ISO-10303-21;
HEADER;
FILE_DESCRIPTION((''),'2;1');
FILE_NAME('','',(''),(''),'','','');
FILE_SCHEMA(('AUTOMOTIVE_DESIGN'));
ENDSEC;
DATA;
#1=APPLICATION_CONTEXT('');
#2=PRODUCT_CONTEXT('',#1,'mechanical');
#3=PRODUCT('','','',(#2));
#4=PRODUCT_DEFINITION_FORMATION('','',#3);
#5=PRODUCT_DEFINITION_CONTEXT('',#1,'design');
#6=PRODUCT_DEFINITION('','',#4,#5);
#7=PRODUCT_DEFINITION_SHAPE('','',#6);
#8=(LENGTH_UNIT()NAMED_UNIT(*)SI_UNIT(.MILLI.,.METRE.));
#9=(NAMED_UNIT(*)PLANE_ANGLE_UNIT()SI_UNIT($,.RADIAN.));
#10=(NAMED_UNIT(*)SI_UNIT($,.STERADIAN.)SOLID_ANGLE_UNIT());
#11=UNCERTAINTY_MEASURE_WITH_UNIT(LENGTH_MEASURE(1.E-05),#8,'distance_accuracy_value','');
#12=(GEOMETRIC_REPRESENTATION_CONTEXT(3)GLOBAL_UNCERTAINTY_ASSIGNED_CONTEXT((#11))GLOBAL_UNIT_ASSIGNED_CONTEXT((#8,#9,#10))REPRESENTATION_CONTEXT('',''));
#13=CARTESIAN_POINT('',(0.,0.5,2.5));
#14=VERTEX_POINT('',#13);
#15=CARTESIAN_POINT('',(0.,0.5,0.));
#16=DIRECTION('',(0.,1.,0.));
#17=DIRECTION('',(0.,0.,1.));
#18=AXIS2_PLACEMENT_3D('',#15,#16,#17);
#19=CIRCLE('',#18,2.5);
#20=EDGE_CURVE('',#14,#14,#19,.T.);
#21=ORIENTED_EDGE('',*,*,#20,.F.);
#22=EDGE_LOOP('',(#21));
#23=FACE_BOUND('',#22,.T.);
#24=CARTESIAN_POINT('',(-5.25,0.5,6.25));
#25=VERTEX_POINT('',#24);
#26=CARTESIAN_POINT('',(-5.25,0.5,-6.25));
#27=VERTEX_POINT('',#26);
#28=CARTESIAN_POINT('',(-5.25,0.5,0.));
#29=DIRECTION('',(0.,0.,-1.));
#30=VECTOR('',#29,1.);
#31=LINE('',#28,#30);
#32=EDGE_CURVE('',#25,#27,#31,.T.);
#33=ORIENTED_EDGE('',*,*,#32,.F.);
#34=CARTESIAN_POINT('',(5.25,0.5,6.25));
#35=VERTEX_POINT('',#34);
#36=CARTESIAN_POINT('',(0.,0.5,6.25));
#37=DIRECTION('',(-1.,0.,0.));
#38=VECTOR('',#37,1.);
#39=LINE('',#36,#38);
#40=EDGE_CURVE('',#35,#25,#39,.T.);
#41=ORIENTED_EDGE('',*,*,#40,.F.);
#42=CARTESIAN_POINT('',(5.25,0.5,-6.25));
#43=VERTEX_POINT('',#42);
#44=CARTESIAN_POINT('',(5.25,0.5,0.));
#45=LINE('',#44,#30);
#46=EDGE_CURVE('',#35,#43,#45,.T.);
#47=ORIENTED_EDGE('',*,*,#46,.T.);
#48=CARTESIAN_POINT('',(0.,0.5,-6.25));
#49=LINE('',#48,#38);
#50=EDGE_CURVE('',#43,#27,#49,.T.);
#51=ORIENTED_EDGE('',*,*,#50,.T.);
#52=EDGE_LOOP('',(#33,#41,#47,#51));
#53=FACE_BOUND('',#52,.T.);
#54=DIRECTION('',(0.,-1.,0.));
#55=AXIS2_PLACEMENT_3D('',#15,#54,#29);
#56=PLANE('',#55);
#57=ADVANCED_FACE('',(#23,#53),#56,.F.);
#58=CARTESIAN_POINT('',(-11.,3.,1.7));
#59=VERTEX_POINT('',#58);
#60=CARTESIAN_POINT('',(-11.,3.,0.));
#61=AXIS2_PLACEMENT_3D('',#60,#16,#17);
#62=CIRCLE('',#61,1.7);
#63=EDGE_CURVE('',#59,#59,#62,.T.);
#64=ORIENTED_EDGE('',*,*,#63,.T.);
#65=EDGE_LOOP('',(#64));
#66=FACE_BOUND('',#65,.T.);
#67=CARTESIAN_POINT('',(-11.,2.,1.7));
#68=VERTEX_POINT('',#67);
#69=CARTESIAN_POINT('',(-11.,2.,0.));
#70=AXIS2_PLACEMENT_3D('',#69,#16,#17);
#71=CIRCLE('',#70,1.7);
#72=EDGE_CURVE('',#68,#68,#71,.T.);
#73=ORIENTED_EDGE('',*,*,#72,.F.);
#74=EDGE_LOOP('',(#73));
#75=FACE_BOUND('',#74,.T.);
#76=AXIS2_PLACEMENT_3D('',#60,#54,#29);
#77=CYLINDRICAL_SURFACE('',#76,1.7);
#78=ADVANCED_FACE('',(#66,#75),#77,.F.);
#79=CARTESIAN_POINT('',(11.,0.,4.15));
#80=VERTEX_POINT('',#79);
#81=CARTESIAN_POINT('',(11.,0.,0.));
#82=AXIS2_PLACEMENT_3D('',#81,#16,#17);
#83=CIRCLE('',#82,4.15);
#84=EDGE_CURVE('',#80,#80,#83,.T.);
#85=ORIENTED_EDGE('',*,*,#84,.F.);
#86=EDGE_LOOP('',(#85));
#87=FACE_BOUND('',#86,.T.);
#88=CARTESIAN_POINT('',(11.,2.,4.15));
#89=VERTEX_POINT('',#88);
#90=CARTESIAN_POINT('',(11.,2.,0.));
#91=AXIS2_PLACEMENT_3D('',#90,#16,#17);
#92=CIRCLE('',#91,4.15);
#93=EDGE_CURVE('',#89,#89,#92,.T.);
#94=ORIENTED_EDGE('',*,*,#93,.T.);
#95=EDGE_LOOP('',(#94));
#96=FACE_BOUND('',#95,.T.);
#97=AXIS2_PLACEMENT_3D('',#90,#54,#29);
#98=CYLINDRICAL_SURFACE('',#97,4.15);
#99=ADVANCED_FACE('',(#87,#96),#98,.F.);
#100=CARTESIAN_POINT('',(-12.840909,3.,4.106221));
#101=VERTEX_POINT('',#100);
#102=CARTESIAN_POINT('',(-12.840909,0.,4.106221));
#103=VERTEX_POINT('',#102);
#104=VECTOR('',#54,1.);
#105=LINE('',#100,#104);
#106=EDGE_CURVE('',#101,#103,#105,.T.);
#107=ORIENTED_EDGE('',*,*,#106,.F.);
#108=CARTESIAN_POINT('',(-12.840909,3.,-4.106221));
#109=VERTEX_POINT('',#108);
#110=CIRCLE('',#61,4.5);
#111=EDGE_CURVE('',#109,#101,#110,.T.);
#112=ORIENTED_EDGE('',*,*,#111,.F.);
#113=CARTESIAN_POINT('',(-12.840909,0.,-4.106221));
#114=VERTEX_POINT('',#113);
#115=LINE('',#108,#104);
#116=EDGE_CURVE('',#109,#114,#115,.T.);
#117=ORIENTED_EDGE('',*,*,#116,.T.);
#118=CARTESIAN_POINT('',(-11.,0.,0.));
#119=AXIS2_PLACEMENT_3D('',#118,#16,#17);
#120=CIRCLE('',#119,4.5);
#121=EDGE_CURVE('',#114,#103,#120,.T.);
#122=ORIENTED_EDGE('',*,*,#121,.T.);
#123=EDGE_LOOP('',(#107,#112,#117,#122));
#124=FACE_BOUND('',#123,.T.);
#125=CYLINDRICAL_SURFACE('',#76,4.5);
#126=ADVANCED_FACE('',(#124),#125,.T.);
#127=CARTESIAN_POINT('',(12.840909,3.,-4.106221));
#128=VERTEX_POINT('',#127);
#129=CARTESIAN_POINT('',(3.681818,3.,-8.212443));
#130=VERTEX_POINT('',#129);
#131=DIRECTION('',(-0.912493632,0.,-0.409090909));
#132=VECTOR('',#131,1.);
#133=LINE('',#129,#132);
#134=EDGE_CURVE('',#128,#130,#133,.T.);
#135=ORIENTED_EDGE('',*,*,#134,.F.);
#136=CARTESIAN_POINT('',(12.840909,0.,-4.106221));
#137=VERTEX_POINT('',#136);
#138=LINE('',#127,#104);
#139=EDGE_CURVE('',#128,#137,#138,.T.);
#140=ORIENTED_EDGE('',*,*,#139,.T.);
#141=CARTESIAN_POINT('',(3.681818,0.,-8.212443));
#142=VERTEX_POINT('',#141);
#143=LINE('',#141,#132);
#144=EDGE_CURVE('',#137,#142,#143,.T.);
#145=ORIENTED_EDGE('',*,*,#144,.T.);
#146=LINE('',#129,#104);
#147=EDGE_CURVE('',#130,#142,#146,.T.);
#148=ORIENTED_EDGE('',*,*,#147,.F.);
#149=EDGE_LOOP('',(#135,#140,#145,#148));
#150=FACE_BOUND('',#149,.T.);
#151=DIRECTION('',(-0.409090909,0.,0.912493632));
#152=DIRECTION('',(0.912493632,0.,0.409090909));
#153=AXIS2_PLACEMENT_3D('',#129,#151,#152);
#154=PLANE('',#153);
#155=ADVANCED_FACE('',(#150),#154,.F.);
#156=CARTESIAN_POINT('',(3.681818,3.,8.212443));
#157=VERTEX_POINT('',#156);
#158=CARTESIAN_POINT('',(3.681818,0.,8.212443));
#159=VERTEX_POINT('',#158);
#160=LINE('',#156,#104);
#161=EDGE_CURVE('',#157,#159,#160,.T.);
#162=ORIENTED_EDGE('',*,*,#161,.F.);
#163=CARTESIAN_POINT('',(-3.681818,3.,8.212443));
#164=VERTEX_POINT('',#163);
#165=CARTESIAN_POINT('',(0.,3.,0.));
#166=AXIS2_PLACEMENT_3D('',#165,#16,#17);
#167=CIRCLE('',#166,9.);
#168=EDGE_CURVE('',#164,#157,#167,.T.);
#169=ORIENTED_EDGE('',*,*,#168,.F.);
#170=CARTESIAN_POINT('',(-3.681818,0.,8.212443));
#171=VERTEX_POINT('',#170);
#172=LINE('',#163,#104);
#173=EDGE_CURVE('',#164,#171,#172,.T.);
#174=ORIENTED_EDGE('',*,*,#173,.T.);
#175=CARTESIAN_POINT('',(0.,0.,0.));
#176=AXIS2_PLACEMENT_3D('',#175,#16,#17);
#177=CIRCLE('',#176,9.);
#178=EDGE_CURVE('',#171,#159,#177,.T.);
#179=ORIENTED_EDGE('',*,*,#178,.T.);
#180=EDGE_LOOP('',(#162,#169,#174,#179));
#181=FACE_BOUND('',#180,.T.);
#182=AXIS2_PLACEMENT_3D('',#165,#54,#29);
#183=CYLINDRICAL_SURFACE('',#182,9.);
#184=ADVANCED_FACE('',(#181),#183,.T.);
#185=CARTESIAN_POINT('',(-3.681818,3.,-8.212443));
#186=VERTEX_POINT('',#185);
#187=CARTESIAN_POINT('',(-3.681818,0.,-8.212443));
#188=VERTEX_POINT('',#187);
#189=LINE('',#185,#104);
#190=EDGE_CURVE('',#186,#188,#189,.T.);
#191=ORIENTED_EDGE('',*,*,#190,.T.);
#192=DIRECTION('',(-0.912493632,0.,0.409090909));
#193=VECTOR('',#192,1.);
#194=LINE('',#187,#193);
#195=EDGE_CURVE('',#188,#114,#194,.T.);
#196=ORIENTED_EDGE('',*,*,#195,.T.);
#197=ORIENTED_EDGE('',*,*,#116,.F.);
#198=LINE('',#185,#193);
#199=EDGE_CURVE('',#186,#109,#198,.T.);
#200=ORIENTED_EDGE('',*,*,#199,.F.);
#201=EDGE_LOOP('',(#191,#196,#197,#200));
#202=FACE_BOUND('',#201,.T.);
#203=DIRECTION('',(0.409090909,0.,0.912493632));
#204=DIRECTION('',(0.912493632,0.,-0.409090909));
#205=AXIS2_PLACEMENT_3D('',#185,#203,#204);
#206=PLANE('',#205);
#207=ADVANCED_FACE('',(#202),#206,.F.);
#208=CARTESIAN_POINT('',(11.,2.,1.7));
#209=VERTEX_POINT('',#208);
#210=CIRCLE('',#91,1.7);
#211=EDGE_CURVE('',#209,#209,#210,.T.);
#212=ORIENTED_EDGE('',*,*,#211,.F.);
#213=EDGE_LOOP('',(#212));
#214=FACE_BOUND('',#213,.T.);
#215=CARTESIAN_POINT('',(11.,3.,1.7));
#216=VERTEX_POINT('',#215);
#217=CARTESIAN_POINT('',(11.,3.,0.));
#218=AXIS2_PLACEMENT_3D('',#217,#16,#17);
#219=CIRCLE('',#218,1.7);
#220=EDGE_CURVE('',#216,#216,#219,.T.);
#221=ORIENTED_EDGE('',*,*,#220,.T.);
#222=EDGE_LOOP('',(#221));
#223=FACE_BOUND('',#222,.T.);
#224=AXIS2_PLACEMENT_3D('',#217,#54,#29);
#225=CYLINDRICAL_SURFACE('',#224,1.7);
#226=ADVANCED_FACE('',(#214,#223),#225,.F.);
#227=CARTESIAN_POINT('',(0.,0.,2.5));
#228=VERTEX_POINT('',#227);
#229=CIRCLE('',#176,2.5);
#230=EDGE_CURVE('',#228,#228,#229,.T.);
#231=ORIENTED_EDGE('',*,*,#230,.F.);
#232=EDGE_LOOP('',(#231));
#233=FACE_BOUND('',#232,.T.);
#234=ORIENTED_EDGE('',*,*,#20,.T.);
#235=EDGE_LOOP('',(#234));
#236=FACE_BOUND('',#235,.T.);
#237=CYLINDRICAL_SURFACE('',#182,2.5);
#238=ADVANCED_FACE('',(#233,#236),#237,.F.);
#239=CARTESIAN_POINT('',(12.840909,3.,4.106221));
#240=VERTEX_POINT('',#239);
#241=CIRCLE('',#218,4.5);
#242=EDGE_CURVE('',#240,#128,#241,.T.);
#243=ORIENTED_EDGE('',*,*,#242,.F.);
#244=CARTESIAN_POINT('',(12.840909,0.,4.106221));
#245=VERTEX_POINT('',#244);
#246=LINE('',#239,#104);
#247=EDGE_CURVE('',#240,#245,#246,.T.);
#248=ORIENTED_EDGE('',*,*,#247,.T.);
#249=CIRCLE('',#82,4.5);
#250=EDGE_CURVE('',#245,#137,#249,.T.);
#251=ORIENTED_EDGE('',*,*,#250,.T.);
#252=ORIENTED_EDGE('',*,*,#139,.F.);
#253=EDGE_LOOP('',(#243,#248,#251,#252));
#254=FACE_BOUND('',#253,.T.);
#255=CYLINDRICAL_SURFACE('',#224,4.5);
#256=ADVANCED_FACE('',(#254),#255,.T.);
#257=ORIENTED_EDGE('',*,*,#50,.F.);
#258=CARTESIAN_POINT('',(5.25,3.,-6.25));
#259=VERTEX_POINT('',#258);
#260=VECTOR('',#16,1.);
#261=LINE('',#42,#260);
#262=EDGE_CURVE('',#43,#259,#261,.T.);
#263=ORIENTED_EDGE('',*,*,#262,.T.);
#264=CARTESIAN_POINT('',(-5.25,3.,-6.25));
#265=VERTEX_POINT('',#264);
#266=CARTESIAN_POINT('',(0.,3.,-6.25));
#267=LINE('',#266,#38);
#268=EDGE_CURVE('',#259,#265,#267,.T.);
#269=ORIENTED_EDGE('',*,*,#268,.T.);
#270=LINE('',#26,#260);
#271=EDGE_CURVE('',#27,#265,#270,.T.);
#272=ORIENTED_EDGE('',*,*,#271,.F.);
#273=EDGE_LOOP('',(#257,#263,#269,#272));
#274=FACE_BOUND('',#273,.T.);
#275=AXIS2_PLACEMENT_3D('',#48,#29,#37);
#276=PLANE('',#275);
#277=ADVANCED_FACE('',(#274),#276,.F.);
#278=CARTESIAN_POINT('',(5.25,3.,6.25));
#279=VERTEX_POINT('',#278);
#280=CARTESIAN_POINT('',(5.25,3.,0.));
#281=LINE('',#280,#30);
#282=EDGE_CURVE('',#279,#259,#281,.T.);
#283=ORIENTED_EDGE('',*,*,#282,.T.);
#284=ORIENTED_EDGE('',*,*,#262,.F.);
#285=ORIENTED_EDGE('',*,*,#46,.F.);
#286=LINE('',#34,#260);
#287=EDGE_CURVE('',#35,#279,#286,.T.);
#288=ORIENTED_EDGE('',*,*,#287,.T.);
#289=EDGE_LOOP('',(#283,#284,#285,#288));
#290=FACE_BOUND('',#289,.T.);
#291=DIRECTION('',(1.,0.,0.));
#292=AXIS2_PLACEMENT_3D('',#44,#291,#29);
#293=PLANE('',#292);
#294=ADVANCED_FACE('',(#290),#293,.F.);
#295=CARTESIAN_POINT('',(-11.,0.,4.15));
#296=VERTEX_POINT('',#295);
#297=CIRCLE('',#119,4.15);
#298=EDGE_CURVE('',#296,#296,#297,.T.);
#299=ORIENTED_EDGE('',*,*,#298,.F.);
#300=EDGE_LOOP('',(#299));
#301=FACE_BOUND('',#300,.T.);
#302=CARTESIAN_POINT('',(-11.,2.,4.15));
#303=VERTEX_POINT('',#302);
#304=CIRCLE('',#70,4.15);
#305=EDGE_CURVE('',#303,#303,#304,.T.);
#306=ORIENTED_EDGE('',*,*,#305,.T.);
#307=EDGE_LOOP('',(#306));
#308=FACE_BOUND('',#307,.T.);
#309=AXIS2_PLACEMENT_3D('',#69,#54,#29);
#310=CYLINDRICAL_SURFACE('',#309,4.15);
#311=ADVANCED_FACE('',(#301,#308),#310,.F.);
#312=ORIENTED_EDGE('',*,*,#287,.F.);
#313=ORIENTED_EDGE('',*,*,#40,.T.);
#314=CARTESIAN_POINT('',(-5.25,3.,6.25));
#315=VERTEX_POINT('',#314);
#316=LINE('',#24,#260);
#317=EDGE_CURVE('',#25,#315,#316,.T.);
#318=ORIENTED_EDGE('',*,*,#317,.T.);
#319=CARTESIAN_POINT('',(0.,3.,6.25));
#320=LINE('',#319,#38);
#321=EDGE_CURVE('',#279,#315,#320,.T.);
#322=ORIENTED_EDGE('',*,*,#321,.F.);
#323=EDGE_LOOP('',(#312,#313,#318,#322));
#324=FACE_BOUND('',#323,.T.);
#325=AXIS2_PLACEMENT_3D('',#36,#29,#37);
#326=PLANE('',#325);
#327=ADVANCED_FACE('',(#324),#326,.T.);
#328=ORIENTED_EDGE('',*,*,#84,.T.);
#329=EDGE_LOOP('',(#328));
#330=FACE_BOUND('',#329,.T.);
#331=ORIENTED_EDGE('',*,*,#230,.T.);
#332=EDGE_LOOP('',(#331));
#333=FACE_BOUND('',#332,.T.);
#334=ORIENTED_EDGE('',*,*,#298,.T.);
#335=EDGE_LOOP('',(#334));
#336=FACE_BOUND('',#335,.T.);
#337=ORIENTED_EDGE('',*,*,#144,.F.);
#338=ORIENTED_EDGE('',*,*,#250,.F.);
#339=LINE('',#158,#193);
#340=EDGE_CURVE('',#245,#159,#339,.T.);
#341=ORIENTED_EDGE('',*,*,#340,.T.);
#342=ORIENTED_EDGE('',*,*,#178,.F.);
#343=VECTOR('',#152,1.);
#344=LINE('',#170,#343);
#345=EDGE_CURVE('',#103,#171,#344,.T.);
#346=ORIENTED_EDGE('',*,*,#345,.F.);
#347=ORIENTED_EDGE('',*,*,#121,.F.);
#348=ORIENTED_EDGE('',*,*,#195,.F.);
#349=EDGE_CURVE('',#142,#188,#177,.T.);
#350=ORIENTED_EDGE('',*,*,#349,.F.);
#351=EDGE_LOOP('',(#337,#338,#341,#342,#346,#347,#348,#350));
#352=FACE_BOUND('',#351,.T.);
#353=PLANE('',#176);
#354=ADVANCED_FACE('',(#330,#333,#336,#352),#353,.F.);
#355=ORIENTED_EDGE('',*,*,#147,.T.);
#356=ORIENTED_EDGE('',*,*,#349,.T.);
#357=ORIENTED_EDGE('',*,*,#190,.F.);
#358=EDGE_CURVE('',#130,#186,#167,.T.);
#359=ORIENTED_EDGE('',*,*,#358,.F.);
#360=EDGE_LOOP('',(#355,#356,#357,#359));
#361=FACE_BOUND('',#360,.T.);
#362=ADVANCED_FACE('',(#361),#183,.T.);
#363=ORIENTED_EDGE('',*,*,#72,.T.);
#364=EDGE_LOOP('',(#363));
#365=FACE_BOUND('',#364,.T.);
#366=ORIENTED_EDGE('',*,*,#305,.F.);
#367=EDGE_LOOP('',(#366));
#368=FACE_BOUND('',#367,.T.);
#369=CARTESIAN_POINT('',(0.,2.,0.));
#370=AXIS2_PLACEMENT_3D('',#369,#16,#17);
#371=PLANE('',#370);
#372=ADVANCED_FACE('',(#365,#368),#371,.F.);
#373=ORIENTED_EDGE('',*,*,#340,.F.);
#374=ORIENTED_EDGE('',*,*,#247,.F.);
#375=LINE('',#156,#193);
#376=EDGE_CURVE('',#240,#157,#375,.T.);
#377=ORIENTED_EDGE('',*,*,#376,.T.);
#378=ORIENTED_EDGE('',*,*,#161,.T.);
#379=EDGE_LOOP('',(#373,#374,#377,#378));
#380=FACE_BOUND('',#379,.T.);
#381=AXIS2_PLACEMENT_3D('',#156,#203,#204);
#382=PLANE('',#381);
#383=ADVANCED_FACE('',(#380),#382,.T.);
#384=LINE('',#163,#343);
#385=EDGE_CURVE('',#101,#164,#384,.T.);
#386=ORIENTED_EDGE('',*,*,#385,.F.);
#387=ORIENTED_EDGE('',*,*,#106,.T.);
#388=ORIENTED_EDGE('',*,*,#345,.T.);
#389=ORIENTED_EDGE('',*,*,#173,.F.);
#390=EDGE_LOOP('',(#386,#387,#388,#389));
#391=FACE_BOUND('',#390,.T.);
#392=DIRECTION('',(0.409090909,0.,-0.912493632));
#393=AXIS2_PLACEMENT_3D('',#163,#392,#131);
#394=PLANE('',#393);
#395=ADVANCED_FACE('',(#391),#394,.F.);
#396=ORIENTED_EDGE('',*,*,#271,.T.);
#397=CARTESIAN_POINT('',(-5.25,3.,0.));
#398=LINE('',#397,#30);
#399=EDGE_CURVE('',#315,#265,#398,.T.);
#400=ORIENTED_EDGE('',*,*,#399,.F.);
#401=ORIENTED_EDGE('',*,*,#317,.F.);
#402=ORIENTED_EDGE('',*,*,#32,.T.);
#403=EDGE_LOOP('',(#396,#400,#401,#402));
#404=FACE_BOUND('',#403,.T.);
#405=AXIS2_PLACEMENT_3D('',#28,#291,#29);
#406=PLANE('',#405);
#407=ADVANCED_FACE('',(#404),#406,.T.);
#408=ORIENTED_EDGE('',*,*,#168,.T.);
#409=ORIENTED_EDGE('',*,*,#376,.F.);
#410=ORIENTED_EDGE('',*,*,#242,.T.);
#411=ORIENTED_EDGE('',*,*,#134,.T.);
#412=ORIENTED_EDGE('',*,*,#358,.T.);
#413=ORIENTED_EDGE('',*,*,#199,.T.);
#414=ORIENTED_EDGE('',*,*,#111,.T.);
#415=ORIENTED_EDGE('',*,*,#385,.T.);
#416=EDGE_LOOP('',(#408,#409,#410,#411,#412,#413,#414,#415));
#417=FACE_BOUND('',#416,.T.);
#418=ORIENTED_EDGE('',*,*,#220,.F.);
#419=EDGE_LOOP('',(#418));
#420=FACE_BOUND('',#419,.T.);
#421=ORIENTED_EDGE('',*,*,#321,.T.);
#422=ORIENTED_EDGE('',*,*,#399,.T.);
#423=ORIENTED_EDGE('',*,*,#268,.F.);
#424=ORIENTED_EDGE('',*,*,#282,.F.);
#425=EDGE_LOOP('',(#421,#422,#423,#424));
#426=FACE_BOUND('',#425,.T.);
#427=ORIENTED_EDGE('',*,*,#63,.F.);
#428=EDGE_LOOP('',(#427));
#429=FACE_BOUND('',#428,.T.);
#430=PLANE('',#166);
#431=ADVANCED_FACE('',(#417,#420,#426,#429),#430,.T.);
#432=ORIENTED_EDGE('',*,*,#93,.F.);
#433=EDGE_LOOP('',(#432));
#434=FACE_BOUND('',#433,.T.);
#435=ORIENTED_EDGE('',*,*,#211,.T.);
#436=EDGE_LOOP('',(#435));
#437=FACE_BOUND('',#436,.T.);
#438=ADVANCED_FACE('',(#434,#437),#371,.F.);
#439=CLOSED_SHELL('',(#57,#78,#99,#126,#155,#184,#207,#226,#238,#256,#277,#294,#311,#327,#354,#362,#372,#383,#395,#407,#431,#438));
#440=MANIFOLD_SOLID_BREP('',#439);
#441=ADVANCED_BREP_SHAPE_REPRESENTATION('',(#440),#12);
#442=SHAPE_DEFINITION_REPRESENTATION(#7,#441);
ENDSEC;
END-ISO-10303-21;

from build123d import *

# Parameters (mm, degrees)
SKETCH1_R           = 1.7
SKETCH1_R_2         = 2.5
BOSS_EXTRUDE1_DEPTH = 3
SKETCH1_11_R        = 4.15
CUT_EXTRUDE1_DEPTH  = 2
CUT_EXTRUDE2_START  = 0.5
CUT_EXTRUDE2_DEPTH  = 2.5


with BuildPart() as part:
    # Sketch1 → Boss-Extrude1 (new body)
    with BuildSketch(Plane(origin=(0, 0, 0), x_dir=(1, 0, 0), z_dir=(0, 1, 0))):
        with BuildLine():
            Line((12.840909091, 4.106221343), (3.681818182, 8.212442686))
            ThreePointArc((3.681818182, 8.212442686), (0, 9), (-3.681818182, 8.212442686))
            Line((-3.681818182, 8.212442686), (-12.840909091, 4.106221343))
            ThreePointArc((-12.840909091, 4.106221343), (-15.5, 0), (-12.840909091, -4.106221343))
            Line((-12.840909091, -4.106221343), (-3.681818182, -8.212442686))
            ThreePointArc((-3.681818182, -8.212442686), (0, -9), (3.681818182, -8.212442686))
            Line((3.681818182, -8.212442686), (12.840909091, -4.106221343))
            ThreePointArc((12.840909091, -4.106221343), (15.5, 0), (12.840909091, 4.106221343))
        make_face()
        with Locations(Location((-11, 0, 0), (0, 0, 270))):
            Circle(SKETCH1_R, mode=Mode.SUBTRACT)
        with Locations(Location((0, 0, 0), (0, 0, 270))):
            Circle(SKETCH1_R_2, mode=Mode.SUBTRACT)
        with Locations(Location((11, 0, 0), (0, 0, 270))):
            Circle(SKETCH1_R, mode=Mode.SUBTRACT)
    extrude(amount=BOSS_EXTRUDE1_DEPTH)

    # Sketch1<11> → Cut-Extrude1 (cut)
    with BuildSketch(Plane(origin=(0, 0, 0), x_dir=(1, 0, 0), z_dir=(0, 1, 0))):
        with Locations(Location((-11, 0, 0), (0, 0, 270))):
            Circle(SKETCH1_11_R)
        with Locations(Location((11, 0, 0), (0, 0, 270))):
            Circle(SKETCH1_11_R)
    extrude(amount=CUT_EXTRUDE1_DEPTH, mode=Mode.SUBTRACT)

    # Sketch1<12> → Cut-Extrude2 (cut)
    with BuildSketch(Plane(origin=(0, 0, 0), x_dir=(1, 0, 0), z_dir=(0, 1, 0)).offset(CUT_EXTRUDE2_START)):
        with BuildLine():
            Line((-5.25, 6.25), (-5.25, 0))
            Line((-5.25, 0), (-2.5, 0))
            ThreePointArc((-2.5, 0), (0, 2.5), (2.5, 0))
            Line((2.5, 0), (5.25, 0))
            Line((5.25, 0), (5.25, 6.25))
            Line((5.25, 6.25), (-5.25, 6.25))
        make_face()
        with BuildLine():
            Line((-2.5, 0), (-5.25, 0))
            Line((-5.25, 0), (-5.25, -6.25))
            Line((-5.25, -6.25), (5.25, -6.25))
            Line((5.25, -6.25), (5.25, 0))
            Line((5.25, 0), (2.5, 0))
            ThreePointArc((2.5, 0), (0, -2.5), (-2.5, 0))
        make_face()
    extrude(amount=CUT_EXTRUDE2_DEPTH, mode=Mode.SUBTRACT)


solid = part.part
